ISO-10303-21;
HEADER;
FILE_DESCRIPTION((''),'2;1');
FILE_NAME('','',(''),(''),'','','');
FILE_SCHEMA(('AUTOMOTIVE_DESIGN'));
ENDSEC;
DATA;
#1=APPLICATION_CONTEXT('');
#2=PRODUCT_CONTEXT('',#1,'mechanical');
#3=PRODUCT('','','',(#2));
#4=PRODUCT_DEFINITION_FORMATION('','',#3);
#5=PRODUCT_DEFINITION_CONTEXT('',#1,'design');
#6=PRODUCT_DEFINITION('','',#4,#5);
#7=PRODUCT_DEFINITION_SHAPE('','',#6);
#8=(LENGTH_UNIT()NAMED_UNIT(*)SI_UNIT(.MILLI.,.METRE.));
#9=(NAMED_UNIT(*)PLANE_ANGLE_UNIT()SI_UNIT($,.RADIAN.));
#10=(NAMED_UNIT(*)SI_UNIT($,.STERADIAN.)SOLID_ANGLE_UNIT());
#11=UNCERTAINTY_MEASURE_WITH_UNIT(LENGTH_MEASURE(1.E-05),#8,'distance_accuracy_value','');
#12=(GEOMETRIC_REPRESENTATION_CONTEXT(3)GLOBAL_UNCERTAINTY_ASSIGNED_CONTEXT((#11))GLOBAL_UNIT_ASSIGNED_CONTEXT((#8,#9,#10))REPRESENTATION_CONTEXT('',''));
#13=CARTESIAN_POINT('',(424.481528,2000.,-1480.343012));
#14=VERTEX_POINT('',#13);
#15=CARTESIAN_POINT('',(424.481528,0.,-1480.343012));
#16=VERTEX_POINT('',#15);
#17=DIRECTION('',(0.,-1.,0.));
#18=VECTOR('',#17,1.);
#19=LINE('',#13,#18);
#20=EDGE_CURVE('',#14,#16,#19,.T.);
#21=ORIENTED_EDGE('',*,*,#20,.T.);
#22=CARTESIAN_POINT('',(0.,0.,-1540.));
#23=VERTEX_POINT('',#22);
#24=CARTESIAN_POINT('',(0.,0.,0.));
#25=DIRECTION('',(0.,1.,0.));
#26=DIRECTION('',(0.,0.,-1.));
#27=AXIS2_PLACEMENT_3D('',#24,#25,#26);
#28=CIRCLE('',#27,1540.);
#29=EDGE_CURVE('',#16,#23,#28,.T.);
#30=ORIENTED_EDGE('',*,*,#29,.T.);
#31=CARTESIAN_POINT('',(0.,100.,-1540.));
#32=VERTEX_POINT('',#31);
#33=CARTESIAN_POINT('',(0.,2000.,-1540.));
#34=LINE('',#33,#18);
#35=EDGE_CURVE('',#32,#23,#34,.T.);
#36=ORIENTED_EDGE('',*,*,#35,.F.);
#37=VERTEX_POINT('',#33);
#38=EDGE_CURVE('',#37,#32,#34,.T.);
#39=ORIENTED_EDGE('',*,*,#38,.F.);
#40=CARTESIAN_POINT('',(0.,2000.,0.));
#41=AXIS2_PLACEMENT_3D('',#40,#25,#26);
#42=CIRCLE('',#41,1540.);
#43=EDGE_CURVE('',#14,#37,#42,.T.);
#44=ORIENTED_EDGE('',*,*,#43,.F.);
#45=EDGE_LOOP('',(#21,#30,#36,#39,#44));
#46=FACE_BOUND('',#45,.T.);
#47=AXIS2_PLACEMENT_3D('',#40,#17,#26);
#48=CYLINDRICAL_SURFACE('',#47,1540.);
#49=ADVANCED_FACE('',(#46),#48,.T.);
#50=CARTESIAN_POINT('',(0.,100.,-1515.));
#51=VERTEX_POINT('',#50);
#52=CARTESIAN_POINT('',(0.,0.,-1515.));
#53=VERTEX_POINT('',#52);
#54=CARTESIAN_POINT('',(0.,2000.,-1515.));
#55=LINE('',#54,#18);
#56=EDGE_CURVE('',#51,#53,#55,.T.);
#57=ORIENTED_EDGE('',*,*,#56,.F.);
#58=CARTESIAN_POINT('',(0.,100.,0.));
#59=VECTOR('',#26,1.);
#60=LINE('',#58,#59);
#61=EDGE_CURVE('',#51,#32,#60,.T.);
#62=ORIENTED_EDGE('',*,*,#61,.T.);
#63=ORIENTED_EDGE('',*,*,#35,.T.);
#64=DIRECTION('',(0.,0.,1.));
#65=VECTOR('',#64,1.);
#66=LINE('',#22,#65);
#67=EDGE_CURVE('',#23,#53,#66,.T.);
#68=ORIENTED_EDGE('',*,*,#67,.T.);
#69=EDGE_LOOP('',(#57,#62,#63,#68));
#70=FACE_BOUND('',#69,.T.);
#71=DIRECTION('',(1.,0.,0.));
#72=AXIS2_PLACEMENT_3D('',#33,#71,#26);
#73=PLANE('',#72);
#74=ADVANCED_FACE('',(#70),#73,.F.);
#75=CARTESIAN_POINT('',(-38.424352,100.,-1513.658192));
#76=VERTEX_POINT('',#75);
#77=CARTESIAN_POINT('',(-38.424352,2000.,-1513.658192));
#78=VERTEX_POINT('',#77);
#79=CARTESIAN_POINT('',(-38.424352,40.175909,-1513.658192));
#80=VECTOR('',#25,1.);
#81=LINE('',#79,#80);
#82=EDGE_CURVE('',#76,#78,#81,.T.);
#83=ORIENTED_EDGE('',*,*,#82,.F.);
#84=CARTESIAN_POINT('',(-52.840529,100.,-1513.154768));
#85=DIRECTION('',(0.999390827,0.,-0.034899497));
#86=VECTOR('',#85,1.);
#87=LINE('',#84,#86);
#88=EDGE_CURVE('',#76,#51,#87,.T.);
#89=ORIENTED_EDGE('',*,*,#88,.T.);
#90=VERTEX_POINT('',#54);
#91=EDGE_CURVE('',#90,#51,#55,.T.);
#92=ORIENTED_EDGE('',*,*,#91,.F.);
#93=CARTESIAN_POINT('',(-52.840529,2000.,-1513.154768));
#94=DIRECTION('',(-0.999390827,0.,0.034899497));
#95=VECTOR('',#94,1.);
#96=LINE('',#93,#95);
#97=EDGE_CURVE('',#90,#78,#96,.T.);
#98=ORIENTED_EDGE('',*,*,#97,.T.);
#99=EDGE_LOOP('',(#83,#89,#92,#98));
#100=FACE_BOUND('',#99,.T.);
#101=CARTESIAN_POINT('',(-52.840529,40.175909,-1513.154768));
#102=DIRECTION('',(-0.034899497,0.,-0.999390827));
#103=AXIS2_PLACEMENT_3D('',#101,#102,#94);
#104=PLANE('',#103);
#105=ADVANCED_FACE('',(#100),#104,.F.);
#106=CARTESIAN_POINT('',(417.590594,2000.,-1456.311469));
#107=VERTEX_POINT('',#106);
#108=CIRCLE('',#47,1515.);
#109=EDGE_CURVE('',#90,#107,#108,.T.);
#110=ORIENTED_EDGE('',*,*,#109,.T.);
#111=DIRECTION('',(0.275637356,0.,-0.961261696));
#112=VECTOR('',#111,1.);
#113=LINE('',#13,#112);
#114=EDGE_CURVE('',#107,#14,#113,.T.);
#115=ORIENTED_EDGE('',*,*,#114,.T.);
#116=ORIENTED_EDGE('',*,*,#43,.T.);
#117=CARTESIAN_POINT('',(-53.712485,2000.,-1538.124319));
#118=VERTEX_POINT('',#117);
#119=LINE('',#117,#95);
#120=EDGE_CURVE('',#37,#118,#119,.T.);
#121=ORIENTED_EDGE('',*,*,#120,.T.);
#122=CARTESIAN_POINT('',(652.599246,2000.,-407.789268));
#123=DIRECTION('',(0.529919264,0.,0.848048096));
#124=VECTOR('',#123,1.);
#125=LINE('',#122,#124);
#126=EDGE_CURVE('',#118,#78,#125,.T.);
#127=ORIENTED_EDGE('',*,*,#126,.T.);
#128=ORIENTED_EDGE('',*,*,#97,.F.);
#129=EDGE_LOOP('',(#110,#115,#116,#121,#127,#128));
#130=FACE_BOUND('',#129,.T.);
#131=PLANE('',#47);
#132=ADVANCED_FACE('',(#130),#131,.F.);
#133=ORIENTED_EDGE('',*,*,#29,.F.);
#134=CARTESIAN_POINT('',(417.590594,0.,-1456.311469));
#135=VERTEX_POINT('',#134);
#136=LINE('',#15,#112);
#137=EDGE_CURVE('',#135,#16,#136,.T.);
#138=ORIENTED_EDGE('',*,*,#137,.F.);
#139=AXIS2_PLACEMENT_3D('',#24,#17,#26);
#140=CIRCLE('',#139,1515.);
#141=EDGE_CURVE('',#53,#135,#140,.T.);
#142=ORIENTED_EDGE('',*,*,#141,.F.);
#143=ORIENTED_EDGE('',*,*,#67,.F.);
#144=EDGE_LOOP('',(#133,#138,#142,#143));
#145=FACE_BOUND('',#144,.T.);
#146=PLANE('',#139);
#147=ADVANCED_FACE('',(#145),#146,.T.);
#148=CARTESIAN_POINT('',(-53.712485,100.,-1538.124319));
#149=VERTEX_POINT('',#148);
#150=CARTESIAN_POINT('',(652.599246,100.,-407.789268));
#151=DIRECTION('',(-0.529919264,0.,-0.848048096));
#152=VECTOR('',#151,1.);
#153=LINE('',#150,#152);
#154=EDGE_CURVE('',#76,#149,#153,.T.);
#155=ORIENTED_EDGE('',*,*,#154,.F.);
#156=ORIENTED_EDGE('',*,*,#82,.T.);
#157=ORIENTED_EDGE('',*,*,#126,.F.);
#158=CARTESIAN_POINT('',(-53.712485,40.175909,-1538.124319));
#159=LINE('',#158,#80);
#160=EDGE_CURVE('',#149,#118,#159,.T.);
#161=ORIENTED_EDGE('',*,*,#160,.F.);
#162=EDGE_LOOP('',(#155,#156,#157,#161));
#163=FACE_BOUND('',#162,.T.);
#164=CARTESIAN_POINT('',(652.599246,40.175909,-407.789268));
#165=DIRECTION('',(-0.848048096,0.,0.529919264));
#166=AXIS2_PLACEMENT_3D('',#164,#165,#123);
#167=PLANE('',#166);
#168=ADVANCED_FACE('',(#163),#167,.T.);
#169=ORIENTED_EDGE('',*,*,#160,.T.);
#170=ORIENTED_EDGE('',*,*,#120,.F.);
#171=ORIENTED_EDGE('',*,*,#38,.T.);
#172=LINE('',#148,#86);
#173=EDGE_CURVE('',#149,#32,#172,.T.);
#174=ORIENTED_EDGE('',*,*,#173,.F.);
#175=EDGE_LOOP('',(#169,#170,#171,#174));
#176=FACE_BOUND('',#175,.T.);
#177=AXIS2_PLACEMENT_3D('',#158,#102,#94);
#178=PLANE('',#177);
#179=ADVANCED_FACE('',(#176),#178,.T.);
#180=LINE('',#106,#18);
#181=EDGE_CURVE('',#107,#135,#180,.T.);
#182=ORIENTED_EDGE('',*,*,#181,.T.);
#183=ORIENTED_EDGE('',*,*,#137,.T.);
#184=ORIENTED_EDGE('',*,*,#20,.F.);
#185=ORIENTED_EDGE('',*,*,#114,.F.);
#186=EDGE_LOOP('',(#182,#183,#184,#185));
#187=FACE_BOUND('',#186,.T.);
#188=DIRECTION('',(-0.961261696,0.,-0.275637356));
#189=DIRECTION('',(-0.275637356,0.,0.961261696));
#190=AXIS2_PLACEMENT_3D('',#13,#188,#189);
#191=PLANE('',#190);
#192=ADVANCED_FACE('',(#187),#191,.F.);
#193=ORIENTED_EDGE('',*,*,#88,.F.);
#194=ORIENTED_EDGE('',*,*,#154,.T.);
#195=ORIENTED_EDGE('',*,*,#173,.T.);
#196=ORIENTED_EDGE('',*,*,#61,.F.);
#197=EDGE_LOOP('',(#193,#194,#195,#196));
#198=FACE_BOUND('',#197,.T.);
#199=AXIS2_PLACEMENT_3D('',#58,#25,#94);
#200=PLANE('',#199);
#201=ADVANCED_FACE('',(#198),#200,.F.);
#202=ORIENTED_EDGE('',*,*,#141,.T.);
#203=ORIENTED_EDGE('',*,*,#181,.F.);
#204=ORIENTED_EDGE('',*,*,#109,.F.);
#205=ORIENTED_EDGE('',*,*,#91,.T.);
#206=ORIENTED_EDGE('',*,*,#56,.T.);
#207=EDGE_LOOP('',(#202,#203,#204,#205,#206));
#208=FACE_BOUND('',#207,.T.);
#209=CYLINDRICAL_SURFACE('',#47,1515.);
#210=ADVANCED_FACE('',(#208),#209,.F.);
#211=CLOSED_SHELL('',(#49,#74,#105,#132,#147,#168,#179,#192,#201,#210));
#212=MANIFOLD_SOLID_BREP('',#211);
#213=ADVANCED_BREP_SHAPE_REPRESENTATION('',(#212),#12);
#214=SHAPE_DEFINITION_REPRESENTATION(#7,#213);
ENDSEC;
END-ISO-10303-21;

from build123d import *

# Parameters (mm, degrees)
EXTRUDE_1_DEPTH = 2000
EXTRUDE_2_DEPTH = 1900


with BuildPart() as part:
    # 草图1 → 凸台-拉伸1 (new body)
    with BuildSketch(Plane(origin=(0, 0, 0), x_dir=(1, 0, 0), z_dir=(0, 1, 0))):
        with BuildLine():
            Line((0, 1540), (0, 1515))
            ThreePointArc((0, 1515), (210.847247954, 1500.256124143), (417.590594063, 1456.311469347))
            Line((417.590594063, 1456.311469347), (424.481527958, 1480.343011745))
            ThreePointArc((424.481527958, 1480.343011745), (214.326575478, 1525.012825862), (0, 1540))
        make_face()
    extrude(amount=EXTRUDE_1_DEPTH)

    # 草图2 → 凸台-拉伸2 (add)
    with BuildSketch(Plane(origin=(0, 2000, 0), x_dir=(1, 0, 0), z_dir=(0, 1, 0))):
        Polygon((-38.424352084, 1513.658192058), (0, 1515), (0, 1540), (-53.712484783, 1538.1243187), align=None)
    extrude(amount=-EXTRUDE_2_DEPTH)


solid = part.part
